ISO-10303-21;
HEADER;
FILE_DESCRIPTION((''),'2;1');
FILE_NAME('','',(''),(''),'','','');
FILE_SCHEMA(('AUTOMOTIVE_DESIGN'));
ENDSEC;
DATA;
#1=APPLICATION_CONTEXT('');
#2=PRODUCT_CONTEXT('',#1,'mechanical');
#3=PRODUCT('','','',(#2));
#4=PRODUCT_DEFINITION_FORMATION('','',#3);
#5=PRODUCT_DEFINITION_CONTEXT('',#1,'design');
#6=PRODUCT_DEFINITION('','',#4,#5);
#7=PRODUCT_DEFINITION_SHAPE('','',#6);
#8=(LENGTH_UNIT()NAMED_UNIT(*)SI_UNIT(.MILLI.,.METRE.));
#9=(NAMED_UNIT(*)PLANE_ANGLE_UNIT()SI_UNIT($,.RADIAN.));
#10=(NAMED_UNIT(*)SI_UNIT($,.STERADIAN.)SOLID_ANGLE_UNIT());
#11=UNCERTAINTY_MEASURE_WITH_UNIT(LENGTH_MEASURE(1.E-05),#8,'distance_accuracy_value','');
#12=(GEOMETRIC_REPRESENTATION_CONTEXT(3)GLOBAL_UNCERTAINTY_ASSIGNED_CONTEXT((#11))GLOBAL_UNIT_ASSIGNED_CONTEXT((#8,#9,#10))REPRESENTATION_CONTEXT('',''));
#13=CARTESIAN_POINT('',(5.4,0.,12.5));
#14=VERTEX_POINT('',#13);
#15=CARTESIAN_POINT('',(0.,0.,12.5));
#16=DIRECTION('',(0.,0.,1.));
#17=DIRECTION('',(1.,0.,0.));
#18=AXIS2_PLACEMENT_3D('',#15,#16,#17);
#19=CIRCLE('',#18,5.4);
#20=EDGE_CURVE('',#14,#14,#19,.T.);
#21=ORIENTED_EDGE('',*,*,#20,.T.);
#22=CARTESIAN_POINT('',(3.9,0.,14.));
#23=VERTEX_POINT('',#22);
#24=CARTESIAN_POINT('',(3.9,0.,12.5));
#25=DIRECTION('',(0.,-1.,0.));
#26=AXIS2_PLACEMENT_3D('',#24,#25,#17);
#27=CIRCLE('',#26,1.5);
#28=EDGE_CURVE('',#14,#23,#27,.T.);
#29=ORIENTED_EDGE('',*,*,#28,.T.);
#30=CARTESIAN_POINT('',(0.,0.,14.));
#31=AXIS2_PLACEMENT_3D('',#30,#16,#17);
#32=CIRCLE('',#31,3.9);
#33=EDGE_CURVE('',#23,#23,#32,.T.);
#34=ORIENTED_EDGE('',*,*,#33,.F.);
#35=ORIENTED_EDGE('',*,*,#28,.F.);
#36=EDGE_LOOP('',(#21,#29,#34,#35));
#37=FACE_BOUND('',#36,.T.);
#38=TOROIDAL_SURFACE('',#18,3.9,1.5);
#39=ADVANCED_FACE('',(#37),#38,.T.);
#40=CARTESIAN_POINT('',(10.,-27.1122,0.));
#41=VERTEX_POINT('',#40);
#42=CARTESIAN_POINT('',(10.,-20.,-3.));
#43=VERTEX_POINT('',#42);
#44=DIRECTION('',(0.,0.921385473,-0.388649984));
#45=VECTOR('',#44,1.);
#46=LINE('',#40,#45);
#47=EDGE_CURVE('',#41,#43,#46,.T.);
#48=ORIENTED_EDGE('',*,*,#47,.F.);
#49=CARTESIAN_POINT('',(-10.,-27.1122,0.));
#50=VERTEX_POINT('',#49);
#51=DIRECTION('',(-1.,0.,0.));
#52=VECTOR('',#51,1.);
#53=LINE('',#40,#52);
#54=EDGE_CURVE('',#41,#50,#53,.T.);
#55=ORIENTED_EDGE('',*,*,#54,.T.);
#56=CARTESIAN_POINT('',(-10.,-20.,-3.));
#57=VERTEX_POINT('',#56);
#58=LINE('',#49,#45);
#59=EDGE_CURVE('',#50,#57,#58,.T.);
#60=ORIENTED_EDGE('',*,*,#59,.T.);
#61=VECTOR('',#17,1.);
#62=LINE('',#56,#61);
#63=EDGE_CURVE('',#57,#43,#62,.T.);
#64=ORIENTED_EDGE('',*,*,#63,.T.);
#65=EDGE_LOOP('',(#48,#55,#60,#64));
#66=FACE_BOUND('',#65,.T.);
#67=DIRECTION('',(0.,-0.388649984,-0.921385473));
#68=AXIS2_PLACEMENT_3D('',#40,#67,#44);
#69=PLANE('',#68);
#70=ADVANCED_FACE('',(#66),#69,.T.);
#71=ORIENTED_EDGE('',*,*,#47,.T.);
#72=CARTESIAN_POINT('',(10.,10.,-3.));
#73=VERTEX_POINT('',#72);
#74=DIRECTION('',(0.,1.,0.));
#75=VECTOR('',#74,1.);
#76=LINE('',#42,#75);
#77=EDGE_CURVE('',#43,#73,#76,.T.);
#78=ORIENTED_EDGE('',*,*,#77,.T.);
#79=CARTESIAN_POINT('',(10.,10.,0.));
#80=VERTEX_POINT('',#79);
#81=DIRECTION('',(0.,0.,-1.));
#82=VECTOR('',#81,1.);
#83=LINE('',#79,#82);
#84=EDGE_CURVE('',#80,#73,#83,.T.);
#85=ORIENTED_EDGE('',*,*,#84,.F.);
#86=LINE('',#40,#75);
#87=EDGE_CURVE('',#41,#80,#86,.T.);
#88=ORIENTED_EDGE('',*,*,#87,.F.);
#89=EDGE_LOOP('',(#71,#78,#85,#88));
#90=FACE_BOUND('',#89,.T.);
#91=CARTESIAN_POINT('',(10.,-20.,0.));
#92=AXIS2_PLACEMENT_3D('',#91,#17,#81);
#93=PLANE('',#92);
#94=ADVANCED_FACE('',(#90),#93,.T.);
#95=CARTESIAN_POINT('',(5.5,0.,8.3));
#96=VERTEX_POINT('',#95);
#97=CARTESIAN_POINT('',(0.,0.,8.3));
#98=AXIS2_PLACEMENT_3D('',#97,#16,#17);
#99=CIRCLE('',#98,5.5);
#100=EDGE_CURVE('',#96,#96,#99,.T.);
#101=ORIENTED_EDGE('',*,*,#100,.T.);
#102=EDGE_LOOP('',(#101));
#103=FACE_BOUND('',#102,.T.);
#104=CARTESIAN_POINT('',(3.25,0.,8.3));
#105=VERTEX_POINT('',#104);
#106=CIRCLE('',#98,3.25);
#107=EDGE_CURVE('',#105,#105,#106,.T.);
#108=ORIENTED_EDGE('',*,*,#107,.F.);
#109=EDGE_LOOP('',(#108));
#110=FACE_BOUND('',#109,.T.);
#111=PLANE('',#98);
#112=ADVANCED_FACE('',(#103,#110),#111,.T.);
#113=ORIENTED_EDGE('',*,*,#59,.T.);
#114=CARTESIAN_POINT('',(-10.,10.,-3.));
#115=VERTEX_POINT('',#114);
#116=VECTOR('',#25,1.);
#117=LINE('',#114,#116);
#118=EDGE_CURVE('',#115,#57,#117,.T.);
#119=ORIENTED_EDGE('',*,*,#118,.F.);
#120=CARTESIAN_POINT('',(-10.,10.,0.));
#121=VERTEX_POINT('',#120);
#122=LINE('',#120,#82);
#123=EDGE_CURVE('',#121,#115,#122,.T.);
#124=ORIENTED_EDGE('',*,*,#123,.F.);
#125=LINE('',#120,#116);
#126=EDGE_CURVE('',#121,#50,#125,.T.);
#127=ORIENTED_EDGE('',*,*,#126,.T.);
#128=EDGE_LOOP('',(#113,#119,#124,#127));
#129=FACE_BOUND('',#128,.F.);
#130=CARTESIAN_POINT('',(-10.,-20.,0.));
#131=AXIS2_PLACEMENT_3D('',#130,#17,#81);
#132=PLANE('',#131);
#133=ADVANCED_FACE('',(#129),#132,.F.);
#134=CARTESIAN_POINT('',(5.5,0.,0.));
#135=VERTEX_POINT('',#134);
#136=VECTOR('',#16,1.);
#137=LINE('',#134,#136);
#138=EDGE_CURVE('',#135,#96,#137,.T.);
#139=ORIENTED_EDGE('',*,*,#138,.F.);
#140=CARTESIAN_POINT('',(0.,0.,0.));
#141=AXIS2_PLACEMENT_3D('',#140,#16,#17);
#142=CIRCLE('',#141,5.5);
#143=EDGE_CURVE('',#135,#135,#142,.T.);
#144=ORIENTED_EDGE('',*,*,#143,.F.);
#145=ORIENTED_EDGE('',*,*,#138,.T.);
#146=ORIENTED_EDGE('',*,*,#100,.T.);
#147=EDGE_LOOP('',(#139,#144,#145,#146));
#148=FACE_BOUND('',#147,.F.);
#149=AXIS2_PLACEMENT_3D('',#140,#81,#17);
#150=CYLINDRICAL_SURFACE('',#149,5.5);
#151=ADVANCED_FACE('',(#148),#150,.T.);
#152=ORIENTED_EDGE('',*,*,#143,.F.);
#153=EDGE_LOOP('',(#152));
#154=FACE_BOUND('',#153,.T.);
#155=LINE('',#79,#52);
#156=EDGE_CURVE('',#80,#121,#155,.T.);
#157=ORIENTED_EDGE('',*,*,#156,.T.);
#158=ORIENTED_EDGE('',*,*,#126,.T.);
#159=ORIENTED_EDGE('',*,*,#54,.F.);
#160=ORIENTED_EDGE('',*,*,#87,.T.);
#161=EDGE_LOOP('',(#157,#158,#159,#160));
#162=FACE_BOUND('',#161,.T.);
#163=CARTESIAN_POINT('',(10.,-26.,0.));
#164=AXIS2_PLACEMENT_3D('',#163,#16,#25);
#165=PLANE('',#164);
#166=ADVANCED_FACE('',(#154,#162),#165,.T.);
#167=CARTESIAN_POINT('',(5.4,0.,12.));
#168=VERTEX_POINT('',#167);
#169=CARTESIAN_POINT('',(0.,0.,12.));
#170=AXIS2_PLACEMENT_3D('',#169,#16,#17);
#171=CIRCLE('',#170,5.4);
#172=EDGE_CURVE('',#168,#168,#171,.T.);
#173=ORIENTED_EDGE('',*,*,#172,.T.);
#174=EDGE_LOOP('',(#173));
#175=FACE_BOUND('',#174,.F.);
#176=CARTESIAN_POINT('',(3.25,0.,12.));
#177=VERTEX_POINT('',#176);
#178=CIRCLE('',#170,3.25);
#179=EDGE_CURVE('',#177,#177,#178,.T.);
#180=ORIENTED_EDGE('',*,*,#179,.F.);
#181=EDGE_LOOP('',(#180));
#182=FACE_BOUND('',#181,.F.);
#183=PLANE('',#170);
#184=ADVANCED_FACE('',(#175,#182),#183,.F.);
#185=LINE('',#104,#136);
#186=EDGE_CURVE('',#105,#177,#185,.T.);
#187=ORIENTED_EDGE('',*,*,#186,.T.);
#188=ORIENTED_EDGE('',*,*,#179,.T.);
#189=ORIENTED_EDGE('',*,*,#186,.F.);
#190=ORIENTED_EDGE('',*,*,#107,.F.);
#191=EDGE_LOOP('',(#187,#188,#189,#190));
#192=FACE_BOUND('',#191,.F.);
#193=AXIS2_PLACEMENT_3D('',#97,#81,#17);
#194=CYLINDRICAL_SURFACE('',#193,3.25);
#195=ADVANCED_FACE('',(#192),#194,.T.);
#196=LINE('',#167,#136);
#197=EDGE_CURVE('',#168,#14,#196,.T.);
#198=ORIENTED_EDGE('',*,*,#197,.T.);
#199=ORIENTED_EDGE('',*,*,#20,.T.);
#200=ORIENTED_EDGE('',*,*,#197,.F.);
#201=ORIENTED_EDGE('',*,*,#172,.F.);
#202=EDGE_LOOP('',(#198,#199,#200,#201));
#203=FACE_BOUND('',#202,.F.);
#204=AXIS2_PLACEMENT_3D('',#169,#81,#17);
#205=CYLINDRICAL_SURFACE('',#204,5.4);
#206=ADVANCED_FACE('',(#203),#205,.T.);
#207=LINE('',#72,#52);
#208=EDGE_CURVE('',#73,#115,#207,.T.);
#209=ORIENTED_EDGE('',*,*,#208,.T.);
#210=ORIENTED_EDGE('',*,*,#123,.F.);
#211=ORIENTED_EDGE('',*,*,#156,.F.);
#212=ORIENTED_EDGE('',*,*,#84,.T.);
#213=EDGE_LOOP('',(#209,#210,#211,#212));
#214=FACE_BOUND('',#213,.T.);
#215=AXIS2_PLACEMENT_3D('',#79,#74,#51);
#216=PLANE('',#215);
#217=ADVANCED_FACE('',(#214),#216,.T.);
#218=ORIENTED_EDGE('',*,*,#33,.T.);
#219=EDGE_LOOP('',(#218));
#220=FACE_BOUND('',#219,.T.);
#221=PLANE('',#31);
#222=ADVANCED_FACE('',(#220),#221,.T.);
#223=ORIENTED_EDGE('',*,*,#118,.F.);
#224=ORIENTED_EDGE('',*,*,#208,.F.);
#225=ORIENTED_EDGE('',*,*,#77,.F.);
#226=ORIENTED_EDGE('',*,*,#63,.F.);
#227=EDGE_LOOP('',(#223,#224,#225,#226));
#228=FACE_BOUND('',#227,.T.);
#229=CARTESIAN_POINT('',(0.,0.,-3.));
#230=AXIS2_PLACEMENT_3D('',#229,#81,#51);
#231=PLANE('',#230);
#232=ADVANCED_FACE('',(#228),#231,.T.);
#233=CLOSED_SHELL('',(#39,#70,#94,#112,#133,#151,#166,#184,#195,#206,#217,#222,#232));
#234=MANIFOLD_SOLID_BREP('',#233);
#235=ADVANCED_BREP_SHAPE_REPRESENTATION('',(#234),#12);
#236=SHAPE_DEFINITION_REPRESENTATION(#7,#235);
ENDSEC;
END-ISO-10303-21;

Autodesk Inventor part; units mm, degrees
ref_plane "YZ Plane" through (0, 0, 0) normal (1, 0, 0) x (0, 1, 0)
ref_plane "XZ Plane" through (0, 0, 0) normal (0, 1, 0) x (-1, 0, 0)
ref_plane "XY Plane" through (0, 0, 0) normal (0, 0, 1) x (1, 0, 0)
sketch "Sketch1" plane through (0, 0, 0) normal (0, 0, 1) x (1, 0, 0)
  circle A0 centre (0, 0) radius 5.5
  dimension "d0" = 11
extrude "Extrusion1" add sketch "Sketch1" along normal blind 8.3
sketch "Sketch2" plane through (0, 0, 8.3) normal (0, 0, 1) x (1, 0, 0)
  circle A0 centre (0, 0) radius 3.25
  dimension "d3" = 6.5
extrude "Extrusion2" add sketch "Sketch2" along normal blind 3.7
sketch "Sketch3" plane through (0, 0, 12) normal (0, 0, 1) x (1, 0, 0)
  circle A0 centre (0, 0) radius 5.4
  dimension "d6" = 10.8
extrude "Extrusion3" add sketch "Sketch3" along normal blind 2
fillet "Fillet1" radius 1.5 1 edges at (-5.4, 0, 14)
sketch "Sketch4" plane through (0, 0, 0) normal (0, 0, -1) x (-1, 0, 0)
  line L0 (-10, 10) -> (10, 10)
  line L1 (10, 10) -> (10, -20)
  line L2 (10, -20) -> (-10, -20)
  line L3 (-10, -20) -> (-10, 10)
  point P0 (0, 0)
  dimension "d10" = 20
  dimension "d11" = 30
  dimension "d12" = 10
  dimension "d13" = 10
extrude "Extrusion4" add sketch "Sketch4" along normal blind 3
sketch "Sketch5" plane through (10, -20, 0) normal (1, 0, 0) x (0, 0, -1)
  line L0 (0, 0) -> (0, -6)
  line L1 (0, -6) -> (0, -7.1122)
  line L2 (0, -7.1122) -> (3, 0)
  line L3 (3, 0) -> (0, 0)
  point P0 (0, 20)
  dimension "d16" = 6
extrude "Extrusion5" add sketch "Sketch5" against normal up to surface (20 mm away)
equation "\"d13\" = 0.5 * d10"
properties part number "vtail_body_piece"
